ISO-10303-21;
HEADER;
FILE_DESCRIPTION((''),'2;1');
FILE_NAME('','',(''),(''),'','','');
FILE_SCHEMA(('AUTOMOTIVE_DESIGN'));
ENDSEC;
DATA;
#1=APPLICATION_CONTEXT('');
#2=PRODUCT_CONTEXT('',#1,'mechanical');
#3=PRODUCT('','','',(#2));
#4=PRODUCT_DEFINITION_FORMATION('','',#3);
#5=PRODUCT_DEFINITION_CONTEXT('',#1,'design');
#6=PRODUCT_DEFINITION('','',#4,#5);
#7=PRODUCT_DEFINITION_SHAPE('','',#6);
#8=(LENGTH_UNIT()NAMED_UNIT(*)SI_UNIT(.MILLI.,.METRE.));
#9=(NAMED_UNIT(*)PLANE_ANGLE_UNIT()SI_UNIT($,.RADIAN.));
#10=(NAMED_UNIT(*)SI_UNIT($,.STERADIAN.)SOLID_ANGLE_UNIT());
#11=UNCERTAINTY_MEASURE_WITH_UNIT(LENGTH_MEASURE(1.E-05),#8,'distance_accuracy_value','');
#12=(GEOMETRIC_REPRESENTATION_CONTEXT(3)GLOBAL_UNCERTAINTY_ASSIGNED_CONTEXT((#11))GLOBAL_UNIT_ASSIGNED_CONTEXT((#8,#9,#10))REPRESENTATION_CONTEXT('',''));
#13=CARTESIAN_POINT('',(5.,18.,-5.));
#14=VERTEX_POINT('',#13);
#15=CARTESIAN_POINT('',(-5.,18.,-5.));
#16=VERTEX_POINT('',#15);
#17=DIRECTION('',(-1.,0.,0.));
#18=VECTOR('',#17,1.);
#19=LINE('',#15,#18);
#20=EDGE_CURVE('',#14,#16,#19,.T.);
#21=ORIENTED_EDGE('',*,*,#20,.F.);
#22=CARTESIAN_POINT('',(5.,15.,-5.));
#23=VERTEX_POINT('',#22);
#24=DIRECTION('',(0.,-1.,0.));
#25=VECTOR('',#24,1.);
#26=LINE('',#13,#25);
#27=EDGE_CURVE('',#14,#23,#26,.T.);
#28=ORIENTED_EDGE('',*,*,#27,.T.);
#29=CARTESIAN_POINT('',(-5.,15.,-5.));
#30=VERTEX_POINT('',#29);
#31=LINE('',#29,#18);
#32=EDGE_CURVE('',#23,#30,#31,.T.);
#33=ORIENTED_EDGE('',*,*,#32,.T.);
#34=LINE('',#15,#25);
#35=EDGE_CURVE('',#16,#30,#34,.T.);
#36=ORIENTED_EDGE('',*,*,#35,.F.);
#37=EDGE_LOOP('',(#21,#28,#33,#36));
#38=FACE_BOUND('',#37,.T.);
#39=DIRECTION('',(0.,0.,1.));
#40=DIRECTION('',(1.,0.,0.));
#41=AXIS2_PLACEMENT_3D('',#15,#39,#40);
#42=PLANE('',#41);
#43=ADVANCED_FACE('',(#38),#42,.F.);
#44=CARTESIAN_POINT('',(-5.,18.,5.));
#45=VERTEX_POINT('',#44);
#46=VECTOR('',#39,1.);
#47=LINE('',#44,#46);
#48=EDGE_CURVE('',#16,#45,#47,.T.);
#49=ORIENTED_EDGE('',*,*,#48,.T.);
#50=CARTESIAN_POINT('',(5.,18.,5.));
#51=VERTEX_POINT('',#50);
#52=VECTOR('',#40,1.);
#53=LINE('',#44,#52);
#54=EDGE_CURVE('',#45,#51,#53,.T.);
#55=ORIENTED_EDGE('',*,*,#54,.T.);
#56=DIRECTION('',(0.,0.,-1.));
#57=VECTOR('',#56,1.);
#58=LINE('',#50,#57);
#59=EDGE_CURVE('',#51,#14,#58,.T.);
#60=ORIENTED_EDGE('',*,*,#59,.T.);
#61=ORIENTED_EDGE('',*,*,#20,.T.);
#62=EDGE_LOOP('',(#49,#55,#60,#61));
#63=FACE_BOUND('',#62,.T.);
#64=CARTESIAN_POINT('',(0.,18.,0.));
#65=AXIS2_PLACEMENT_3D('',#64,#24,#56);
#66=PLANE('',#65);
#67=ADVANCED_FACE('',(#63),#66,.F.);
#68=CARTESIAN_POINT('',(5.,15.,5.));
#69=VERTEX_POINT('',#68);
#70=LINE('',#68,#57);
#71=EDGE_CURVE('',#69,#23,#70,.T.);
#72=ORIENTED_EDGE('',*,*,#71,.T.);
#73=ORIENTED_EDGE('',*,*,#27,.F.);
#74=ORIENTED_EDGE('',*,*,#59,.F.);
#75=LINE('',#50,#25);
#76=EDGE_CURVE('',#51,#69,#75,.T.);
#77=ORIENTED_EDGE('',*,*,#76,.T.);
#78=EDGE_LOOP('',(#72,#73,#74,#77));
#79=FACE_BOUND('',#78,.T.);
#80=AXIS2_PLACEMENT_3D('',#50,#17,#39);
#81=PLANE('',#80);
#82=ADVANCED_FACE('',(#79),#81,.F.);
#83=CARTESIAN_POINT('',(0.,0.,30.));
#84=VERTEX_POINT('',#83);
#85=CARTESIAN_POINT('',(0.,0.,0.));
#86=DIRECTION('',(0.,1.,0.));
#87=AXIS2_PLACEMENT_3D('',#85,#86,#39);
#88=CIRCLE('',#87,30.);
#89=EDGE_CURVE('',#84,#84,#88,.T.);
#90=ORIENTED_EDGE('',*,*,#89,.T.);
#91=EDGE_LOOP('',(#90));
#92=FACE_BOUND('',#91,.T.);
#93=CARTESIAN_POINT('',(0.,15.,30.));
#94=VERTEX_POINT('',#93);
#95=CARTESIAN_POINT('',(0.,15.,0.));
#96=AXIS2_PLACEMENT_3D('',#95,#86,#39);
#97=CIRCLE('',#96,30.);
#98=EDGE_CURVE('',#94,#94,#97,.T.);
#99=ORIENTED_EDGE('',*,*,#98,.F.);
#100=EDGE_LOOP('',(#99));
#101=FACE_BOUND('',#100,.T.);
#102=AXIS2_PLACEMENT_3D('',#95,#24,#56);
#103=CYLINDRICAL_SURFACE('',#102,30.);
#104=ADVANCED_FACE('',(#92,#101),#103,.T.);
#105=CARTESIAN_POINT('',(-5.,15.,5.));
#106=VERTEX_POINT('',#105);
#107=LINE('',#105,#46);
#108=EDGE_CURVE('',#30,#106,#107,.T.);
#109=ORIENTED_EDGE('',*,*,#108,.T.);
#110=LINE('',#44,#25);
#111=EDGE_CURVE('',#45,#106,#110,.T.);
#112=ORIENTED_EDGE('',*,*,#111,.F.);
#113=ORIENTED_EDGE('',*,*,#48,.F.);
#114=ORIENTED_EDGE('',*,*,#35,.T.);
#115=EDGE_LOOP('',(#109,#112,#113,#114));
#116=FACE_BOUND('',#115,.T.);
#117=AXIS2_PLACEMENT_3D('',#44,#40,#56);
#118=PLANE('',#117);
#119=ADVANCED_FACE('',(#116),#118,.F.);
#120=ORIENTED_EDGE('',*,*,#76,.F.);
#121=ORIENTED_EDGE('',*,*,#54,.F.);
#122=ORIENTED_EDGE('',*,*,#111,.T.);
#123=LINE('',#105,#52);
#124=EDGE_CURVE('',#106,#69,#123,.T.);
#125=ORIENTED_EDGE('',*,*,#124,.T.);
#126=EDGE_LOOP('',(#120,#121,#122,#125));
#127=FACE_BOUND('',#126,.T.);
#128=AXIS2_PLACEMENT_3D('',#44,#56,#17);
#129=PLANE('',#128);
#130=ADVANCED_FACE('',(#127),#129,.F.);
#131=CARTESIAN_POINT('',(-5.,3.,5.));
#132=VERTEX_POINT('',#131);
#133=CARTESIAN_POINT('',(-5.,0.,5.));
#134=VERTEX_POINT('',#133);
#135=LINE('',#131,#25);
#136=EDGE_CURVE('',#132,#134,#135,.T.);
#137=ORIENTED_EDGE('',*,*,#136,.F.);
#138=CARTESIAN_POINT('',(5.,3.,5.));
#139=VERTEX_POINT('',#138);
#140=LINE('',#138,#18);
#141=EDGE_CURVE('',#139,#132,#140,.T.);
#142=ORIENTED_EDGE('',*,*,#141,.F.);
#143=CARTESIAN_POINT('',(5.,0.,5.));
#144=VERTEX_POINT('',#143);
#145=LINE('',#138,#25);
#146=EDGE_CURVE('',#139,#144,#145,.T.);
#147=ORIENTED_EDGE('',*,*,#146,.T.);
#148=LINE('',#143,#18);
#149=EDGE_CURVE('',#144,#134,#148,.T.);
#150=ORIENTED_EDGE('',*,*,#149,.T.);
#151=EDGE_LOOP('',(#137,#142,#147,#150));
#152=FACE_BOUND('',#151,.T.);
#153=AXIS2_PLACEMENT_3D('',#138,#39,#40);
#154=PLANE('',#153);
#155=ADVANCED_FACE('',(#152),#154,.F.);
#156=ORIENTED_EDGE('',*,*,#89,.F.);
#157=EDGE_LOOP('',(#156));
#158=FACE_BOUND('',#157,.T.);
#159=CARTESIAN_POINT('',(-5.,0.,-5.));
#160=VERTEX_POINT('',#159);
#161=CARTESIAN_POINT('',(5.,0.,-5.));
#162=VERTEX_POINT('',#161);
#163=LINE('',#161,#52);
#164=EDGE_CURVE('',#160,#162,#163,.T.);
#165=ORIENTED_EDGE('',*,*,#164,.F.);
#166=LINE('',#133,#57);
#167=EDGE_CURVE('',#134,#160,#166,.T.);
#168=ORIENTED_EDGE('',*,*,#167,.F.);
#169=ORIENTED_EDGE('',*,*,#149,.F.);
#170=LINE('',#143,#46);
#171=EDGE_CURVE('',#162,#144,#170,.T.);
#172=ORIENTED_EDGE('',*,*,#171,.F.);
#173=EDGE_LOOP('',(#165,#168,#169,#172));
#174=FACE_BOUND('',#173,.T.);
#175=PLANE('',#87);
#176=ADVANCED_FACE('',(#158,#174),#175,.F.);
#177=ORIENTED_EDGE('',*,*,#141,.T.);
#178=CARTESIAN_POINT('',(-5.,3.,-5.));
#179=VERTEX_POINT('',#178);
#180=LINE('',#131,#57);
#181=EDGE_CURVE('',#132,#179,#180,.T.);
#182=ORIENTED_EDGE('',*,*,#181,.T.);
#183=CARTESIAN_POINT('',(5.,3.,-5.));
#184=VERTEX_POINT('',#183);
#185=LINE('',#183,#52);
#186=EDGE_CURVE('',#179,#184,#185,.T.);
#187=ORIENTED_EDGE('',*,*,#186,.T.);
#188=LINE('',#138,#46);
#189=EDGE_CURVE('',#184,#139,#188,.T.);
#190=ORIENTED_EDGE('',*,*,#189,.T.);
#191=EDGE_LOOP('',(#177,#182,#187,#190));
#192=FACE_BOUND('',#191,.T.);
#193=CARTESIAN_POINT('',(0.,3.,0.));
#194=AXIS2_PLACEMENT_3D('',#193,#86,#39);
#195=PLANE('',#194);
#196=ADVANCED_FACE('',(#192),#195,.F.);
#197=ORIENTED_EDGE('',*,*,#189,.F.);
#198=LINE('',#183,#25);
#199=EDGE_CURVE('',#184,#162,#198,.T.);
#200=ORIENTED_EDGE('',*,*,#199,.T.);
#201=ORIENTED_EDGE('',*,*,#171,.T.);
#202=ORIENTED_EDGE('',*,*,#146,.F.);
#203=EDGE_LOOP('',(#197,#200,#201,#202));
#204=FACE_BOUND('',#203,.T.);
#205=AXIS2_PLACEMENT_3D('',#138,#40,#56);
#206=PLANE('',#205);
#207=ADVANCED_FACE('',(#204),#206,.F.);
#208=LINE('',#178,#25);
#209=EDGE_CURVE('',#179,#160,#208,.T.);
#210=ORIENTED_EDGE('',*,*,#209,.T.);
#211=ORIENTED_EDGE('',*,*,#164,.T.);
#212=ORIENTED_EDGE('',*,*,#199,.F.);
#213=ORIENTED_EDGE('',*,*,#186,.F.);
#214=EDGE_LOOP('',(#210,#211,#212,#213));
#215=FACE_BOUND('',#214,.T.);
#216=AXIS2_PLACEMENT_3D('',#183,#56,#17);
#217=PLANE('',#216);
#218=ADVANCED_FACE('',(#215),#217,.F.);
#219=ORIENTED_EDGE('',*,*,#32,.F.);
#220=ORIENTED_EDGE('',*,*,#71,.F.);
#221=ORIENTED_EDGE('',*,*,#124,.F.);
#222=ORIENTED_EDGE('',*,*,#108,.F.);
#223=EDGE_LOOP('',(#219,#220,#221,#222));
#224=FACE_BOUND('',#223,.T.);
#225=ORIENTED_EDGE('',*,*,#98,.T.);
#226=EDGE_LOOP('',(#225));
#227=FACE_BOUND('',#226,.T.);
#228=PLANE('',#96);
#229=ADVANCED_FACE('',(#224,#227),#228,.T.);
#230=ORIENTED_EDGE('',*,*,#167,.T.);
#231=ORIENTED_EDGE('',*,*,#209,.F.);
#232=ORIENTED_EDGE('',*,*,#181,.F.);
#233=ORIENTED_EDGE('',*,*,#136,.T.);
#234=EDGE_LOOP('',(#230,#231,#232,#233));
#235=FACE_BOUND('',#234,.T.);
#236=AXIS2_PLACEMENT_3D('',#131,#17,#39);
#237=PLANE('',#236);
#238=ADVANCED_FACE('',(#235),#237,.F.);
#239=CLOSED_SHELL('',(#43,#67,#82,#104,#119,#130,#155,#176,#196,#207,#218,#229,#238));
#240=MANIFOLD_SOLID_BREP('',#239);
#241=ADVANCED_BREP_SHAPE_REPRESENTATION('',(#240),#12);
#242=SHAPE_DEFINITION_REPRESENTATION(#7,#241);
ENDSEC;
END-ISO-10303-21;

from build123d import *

# Parameters (mm, degrees)
SKETCH1_R           = 30
BOSS_EXTRUDE1_DEPTH = 15
SKETCH2_W           = 10
SKETCH2_H           = 10
BOSS_EXTRUDE2_DEPTH = 3
SKETCH3_W           = 10
SKETCH3_H           = 10
CUT_EXTRUDE1_DEPTH  = 3


with BuildPart() as part:
    # Sketch1 → Boss-Extrude1 (new body)
    with BuildSketch(Plane(origin=(0, 0, 0), x_dir=(1, 0, 0), z_dir=(0, 1, 0))):
        with Locations(Location((0, 0, 0), (0, 0, 270))):
            Circle(SKETCH1_R)
    extrude(amount=BOSS_EXTRUDE1_DEPTH)

    # Sketch2 → Boss-Extrude2 (add)
    with BuildSketch(Plane(origin=(0, 15, 0), x_dir=(1, 0, 0), z_dir=(0, 1, 0))):
        Rectangle(SKETCH2_W, SKETCH2_H)
    extrude(amount=BOSS_EXTRUDE2_DEPTH)

    # Sketch3 → Cut-Extrude1 (cut)
    with BuildSketch(Plane.XZ):
        Rectangle(SKETCH3_W, SKETCH3_H)
    extrude(amount=-CUT_EXTRUDE1_DEPTH, mode=Mode.SUBTRACT)


solid = part.part
